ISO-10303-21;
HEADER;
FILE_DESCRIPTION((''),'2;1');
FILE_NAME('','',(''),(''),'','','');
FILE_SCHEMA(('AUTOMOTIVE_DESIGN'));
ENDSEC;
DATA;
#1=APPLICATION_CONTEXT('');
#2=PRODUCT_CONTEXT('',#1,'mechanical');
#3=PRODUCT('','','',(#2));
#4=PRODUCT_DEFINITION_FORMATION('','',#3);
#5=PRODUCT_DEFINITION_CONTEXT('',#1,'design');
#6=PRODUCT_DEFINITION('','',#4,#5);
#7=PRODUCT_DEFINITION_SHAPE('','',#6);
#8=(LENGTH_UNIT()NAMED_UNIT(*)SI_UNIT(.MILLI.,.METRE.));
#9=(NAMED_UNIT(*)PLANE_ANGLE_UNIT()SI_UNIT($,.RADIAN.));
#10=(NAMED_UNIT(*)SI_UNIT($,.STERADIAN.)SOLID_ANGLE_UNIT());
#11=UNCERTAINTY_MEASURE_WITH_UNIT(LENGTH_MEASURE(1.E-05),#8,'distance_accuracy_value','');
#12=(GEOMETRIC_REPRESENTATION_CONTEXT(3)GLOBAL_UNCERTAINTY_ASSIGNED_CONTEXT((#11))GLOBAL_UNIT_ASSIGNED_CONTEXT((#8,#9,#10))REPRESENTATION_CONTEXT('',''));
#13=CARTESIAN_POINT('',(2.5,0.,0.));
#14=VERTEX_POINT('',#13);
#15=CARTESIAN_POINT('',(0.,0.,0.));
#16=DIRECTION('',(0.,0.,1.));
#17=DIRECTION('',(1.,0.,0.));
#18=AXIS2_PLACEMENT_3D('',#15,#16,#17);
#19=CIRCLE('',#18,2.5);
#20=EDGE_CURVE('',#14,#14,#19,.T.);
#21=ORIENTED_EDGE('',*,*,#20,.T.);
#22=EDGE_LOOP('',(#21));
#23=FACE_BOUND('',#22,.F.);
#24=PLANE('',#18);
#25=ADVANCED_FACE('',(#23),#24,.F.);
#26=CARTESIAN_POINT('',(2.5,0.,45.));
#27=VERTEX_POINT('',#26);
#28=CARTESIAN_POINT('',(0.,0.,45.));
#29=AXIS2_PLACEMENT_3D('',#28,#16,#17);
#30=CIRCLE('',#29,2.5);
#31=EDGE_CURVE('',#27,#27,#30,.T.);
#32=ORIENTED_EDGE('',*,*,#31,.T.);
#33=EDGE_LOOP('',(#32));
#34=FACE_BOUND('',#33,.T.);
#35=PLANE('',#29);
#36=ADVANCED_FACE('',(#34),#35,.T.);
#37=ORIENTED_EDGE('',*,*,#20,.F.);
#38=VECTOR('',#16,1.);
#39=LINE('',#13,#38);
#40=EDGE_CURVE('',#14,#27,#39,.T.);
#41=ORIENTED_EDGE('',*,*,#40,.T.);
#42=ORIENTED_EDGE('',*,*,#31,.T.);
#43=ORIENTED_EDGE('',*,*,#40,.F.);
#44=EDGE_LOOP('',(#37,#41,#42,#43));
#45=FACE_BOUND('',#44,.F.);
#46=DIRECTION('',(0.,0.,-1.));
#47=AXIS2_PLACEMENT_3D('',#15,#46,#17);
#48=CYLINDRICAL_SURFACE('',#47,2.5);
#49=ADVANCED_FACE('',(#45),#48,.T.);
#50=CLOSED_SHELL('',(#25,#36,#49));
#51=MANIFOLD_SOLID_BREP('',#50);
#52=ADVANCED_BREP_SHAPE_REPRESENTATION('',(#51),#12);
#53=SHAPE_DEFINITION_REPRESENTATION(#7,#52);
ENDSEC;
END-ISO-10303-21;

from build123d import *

# Parameters (mm, degrees)
SKETCH_R  = 2.5
PAD_DEPTH = 45


with BuildPart() as part:
    # Sketch → Pad (new body)
    with BuildSketch(Plane.XY):
        Circle(SKETCH_R)
    extrude(amount=PAD_DEPTH)


solid = part.part
